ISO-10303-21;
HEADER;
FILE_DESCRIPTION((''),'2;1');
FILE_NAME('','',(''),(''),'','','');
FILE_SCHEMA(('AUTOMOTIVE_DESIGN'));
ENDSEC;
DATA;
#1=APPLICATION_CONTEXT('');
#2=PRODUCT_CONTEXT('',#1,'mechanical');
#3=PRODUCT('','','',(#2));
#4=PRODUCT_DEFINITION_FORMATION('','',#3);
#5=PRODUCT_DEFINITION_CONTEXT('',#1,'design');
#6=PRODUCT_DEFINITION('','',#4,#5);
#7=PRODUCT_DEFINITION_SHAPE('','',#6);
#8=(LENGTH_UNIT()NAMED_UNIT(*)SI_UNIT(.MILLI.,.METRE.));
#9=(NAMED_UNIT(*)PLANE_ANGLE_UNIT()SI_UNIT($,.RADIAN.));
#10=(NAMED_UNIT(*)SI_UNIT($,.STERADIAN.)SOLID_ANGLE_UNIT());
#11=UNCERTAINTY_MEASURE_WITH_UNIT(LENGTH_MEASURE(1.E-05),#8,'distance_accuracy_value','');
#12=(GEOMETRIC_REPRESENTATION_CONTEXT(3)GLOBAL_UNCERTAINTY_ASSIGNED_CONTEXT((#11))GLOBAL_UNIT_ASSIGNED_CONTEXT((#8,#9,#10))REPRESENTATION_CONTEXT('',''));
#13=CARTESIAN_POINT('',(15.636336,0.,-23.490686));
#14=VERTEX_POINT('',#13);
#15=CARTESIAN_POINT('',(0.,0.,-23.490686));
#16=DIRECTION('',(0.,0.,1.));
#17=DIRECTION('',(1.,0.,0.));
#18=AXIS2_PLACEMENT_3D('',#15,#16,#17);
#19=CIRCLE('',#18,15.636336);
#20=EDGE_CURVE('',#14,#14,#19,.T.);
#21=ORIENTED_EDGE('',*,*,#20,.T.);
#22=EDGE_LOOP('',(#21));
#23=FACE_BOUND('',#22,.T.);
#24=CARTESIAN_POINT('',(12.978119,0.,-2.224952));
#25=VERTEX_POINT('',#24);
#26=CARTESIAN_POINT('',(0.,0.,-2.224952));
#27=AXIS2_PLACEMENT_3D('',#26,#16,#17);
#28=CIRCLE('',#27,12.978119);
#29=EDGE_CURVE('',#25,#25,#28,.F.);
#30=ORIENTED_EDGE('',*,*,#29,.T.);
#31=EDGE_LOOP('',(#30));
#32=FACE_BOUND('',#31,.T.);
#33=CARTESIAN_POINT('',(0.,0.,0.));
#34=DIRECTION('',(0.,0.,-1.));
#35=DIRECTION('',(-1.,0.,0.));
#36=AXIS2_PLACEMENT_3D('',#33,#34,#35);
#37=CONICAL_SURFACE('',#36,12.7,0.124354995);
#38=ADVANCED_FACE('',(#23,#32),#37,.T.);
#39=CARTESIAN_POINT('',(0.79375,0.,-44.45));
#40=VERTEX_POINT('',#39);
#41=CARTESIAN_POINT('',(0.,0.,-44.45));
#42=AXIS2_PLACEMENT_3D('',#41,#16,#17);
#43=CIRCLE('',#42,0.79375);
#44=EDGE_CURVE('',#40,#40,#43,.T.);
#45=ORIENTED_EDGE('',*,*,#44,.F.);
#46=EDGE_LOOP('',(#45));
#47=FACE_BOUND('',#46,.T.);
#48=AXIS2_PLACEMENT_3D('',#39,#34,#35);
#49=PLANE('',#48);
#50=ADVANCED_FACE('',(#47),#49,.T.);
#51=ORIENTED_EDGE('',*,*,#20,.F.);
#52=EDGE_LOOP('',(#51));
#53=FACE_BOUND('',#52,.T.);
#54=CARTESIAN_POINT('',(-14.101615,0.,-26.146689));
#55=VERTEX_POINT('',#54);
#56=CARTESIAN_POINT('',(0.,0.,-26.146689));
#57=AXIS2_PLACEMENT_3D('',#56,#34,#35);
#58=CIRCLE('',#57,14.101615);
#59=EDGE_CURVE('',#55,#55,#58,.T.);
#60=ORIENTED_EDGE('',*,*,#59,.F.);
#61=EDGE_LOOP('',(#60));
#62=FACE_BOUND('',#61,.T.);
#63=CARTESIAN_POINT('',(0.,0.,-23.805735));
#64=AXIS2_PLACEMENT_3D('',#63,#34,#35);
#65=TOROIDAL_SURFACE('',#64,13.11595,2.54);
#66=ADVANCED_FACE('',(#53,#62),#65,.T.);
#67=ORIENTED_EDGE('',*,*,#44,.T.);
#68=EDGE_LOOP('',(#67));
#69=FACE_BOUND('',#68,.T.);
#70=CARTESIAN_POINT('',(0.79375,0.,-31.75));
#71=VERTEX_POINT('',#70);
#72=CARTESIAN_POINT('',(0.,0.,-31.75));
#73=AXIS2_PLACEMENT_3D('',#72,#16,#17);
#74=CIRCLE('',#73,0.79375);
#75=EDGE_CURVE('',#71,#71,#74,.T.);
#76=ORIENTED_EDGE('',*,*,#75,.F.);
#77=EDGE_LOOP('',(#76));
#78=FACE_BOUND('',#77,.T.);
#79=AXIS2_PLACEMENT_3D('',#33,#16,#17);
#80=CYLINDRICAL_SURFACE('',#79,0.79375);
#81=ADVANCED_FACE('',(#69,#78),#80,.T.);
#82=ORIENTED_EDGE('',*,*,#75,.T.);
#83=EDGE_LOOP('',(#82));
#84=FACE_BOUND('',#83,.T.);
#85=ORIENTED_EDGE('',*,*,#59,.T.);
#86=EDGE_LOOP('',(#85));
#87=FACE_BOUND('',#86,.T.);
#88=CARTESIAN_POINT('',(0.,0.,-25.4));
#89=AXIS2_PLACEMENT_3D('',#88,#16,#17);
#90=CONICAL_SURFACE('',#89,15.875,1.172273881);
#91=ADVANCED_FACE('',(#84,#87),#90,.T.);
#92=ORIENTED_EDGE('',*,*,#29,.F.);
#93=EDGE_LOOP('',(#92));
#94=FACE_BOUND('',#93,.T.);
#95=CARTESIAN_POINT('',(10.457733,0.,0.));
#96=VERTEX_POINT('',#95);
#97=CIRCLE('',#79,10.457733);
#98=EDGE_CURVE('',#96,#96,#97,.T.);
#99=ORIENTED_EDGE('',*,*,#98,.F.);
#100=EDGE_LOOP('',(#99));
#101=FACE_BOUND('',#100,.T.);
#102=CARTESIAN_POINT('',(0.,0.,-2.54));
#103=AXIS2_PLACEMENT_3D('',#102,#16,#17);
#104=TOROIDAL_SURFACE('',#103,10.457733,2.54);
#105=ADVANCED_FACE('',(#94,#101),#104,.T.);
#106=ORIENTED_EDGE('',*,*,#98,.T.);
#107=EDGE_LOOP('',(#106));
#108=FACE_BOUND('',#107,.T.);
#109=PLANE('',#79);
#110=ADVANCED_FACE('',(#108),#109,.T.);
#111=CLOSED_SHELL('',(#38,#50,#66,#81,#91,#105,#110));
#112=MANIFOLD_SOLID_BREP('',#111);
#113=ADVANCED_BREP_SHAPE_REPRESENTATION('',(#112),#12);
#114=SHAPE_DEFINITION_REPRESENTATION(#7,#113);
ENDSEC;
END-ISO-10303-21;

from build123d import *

# Parameters (mm, degrees)
FILLET1_R = 2.54


with BuildPart() as part:
    # Sketch3 → Revolve1 (revolve)
    with BuildSketch(Plane(origin=(0, 0, 0), x_dir=(1, 0, 0), z_dir=(0, 1, 0))):
        Polygon((0, 0), (12.7, 0), (15.875, 25.4), (0.79375, 31.75), (0.79375, 44.45), (0, 44.45), (0, 31.75), (0, 25.4), align=None)
    revolve(axis=Axis((0, 0, 0), (0, 0, -1)))

    # Fillet1
    fillet1_edges = [part.edges().sort_by_distance(p)[0] for p in [
        (-15.875, 0, -25.4),
        (-12.7, 0, 0),
    ]]
    fillet(fillet1_edges, radius=FILLET1_R)


solid = part.part
